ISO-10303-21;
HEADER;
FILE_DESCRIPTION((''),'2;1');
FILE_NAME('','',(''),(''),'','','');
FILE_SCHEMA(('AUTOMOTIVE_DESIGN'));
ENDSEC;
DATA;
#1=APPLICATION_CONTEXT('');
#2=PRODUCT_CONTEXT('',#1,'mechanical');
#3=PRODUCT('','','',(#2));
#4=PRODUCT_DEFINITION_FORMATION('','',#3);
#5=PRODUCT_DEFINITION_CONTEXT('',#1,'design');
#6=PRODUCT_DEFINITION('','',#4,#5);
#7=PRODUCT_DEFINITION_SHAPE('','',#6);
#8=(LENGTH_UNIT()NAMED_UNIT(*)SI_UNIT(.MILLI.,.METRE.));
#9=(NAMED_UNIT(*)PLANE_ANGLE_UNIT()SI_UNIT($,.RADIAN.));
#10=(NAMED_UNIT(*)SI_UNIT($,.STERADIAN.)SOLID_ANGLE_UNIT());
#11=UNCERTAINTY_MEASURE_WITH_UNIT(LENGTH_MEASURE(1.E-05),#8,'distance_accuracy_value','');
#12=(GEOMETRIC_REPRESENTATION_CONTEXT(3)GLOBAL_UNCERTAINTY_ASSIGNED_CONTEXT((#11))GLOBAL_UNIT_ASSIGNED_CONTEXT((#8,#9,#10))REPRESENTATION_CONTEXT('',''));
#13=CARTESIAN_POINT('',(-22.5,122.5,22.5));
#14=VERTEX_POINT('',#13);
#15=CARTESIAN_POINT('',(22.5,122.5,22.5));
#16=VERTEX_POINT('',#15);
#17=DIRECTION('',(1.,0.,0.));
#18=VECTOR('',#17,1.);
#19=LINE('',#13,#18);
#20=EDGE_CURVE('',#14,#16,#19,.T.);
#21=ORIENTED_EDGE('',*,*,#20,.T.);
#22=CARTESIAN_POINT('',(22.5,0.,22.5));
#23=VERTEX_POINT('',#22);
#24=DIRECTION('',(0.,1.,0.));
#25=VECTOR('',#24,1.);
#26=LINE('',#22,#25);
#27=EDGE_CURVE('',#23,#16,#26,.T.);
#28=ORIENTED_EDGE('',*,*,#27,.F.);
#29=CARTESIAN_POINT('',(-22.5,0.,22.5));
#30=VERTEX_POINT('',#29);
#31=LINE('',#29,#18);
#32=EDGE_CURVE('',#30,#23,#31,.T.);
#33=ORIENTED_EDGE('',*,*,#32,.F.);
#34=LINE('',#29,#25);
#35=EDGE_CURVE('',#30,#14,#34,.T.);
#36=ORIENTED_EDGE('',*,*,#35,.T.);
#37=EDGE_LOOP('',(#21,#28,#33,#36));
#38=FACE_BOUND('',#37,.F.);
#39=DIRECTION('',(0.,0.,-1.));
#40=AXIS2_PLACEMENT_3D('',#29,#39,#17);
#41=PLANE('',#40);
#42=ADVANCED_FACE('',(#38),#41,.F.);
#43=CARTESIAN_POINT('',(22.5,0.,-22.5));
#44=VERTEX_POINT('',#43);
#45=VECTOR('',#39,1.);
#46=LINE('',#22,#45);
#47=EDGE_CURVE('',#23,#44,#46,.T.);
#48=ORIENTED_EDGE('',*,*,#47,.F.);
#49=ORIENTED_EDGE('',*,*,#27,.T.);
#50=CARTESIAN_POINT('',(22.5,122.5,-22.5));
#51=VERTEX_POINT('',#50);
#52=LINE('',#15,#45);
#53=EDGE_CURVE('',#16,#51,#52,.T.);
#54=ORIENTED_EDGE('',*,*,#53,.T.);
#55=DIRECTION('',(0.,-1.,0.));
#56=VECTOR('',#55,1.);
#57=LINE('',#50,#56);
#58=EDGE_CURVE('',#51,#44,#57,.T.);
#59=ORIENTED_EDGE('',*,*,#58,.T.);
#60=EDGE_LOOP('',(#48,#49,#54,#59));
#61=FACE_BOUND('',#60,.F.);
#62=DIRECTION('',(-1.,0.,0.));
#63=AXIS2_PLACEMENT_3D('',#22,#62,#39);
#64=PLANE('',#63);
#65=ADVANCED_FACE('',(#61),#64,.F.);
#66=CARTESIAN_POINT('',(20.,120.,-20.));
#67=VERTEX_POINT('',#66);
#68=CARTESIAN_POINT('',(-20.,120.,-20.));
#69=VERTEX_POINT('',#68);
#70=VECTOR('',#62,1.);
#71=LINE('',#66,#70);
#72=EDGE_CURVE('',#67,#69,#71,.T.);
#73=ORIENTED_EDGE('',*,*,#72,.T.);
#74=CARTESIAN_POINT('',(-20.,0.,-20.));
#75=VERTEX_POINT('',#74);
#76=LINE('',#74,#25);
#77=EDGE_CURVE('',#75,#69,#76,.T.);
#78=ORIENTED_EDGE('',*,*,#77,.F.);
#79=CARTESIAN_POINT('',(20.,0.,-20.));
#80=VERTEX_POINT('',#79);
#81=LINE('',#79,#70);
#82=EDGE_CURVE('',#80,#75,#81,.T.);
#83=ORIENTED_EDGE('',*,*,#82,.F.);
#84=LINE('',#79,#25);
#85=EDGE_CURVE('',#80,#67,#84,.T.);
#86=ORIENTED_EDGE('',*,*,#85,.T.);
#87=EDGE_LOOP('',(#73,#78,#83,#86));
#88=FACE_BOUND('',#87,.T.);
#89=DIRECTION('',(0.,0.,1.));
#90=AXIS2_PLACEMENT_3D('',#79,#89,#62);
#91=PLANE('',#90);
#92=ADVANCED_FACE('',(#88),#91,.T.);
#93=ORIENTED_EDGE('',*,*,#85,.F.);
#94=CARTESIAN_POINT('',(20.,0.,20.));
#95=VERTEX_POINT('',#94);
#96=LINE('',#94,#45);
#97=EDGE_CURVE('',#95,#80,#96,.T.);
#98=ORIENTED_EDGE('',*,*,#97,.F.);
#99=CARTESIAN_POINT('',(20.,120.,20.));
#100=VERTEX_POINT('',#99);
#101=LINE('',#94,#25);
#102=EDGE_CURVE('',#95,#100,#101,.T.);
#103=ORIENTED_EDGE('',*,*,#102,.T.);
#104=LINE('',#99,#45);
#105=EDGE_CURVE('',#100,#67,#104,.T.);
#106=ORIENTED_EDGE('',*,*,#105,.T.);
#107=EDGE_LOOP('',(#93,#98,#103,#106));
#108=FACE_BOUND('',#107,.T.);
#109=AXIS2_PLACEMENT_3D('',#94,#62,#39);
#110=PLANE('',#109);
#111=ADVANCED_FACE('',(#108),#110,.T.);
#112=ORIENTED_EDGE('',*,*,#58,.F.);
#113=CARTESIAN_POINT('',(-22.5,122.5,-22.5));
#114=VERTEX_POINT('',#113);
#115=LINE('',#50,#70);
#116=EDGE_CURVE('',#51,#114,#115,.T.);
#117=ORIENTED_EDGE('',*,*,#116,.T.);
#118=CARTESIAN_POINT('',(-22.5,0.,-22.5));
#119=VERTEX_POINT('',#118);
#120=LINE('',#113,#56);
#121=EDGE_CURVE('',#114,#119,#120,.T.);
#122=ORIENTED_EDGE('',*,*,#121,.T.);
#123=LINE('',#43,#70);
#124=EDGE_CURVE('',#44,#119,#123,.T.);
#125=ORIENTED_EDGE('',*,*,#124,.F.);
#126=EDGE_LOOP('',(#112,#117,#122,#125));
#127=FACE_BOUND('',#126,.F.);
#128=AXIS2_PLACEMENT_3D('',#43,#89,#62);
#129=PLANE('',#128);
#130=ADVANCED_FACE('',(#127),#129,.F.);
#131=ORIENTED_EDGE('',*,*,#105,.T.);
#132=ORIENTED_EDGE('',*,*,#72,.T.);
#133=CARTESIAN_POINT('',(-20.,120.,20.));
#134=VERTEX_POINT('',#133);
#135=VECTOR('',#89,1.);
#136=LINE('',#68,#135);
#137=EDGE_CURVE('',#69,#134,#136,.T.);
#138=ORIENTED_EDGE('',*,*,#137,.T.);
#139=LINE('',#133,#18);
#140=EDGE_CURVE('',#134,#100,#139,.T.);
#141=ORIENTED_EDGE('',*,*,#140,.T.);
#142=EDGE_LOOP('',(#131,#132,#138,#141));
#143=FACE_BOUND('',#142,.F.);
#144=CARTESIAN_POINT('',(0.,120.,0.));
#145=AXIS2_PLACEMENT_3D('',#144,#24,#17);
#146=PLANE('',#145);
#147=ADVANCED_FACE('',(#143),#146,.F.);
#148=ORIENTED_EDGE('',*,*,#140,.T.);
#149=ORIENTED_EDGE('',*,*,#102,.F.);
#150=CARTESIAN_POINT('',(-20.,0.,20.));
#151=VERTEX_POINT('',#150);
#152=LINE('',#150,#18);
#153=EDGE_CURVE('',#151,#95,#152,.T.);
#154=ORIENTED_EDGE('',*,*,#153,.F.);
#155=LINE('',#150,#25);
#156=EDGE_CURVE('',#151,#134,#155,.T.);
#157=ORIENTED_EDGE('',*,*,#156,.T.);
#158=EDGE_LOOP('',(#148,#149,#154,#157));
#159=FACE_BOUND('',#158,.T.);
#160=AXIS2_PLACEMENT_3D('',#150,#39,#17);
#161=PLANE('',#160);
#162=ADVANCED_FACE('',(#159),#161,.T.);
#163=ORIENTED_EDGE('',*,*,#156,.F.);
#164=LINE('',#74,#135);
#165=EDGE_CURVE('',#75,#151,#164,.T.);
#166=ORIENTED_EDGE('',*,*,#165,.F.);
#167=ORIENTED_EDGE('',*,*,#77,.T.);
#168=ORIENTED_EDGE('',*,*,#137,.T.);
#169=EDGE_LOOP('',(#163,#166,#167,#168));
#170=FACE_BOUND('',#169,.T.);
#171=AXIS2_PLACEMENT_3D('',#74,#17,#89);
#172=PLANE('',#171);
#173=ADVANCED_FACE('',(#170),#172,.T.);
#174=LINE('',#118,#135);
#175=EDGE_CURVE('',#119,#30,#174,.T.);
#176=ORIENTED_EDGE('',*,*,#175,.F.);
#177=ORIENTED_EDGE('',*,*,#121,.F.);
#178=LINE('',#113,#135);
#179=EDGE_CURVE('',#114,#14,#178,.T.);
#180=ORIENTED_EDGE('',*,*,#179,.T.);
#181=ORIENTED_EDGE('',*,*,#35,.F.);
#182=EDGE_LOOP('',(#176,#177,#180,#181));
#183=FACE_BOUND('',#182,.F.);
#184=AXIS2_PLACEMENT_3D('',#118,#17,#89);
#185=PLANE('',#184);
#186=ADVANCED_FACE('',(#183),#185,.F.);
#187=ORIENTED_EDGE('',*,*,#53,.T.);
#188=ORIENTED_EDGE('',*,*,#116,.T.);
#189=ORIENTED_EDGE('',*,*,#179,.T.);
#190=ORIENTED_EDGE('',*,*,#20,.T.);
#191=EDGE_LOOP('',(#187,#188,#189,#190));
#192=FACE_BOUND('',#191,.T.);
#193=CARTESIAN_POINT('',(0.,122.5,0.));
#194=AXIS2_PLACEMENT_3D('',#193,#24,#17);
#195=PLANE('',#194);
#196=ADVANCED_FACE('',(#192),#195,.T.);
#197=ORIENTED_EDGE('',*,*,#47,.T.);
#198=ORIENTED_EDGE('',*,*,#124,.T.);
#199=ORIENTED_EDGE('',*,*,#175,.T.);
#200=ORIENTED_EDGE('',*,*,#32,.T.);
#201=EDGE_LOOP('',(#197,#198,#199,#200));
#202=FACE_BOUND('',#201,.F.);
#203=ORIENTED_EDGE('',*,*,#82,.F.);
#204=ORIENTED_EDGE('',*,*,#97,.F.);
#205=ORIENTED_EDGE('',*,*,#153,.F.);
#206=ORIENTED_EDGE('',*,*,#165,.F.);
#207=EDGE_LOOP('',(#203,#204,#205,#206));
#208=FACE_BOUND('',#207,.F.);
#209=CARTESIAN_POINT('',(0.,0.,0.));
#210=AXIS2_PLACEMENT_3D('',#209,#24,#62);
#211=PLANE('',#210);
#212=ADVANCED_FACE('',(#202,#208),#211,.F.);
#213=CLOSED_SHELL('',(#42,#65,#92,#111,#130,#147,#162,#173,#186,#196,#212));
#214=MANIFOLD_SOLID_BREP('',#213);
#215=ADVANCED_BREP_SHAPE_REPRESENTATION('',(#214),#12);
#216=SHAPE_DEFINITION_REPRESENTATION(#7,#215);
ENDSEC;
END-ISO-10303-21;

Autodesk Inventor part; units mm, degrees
ref_plane "YZ Plane" through (0, 0, 0) normal (1, 0, 0) x (0, 1, 0)
ref_plane "XZ Plane" through (0, 0, 0) normal (0, 1, 0) x (-1, 0, 0)
ref_plane "XY Plane" through (0, 0, 0) normal (0, 0, 1) x (1, 0, 0)
sketch "Sketch1" plane through (0, 0, 0) normal (0, 1, 0) x (-1, 0, 0)
  line L0 (0, -31.5) -> (0, 31.5) construction
  line L1 (-31.5, 0) -> (31.5, 0) construction
  line L2 (22.5, 22.5) -> (-22.5, 22.5)
  line L3 (-22.5, 22.5) -> (-22.5, -22.5)
  line L4 (-22.5, -22.5) -> (22.5, -22.5)
  line L5 (22.5, -22.5) -> (22.5, 22.5)
  line L6 (20, 20) -> (-20, 20)
  line L7 (-20, 20) -> (-20, -20)
  line L8 (-20, -20) -> (20, -20)
  line L9 (20, -20) -> (20, 20)
  point P0 (0, 0)
  dimension "d0" = 45
  dimension "d1" = 45
  dimension "d2" = 40
  dimension "d3" = 40
extrude "Extrusion1" add sketch "Sketch1" along normal blind 120
sketch "Sketch2" plane through (0, 120, 0) normal (0, 1, 0) x (1, 0, 0)
  line L0 (-22.5, 22.5) -> (-22.5, -22.5) projected
  line L1 (-22.5, -22.5) -> (22.5, -22.5) projected
  line L2 (22.5, -22.5) -> (22.5, 22.5) projected
  line L3 (22.5, 22.5) -> (-22.5, 22.5) projected
  point P0 (0, 0)
extrude "Extrusion2" add sketch "Sketch2" along normal blind 2.5
properties part number "UQ-753-H100-40x40x120mm" material "Glass"
